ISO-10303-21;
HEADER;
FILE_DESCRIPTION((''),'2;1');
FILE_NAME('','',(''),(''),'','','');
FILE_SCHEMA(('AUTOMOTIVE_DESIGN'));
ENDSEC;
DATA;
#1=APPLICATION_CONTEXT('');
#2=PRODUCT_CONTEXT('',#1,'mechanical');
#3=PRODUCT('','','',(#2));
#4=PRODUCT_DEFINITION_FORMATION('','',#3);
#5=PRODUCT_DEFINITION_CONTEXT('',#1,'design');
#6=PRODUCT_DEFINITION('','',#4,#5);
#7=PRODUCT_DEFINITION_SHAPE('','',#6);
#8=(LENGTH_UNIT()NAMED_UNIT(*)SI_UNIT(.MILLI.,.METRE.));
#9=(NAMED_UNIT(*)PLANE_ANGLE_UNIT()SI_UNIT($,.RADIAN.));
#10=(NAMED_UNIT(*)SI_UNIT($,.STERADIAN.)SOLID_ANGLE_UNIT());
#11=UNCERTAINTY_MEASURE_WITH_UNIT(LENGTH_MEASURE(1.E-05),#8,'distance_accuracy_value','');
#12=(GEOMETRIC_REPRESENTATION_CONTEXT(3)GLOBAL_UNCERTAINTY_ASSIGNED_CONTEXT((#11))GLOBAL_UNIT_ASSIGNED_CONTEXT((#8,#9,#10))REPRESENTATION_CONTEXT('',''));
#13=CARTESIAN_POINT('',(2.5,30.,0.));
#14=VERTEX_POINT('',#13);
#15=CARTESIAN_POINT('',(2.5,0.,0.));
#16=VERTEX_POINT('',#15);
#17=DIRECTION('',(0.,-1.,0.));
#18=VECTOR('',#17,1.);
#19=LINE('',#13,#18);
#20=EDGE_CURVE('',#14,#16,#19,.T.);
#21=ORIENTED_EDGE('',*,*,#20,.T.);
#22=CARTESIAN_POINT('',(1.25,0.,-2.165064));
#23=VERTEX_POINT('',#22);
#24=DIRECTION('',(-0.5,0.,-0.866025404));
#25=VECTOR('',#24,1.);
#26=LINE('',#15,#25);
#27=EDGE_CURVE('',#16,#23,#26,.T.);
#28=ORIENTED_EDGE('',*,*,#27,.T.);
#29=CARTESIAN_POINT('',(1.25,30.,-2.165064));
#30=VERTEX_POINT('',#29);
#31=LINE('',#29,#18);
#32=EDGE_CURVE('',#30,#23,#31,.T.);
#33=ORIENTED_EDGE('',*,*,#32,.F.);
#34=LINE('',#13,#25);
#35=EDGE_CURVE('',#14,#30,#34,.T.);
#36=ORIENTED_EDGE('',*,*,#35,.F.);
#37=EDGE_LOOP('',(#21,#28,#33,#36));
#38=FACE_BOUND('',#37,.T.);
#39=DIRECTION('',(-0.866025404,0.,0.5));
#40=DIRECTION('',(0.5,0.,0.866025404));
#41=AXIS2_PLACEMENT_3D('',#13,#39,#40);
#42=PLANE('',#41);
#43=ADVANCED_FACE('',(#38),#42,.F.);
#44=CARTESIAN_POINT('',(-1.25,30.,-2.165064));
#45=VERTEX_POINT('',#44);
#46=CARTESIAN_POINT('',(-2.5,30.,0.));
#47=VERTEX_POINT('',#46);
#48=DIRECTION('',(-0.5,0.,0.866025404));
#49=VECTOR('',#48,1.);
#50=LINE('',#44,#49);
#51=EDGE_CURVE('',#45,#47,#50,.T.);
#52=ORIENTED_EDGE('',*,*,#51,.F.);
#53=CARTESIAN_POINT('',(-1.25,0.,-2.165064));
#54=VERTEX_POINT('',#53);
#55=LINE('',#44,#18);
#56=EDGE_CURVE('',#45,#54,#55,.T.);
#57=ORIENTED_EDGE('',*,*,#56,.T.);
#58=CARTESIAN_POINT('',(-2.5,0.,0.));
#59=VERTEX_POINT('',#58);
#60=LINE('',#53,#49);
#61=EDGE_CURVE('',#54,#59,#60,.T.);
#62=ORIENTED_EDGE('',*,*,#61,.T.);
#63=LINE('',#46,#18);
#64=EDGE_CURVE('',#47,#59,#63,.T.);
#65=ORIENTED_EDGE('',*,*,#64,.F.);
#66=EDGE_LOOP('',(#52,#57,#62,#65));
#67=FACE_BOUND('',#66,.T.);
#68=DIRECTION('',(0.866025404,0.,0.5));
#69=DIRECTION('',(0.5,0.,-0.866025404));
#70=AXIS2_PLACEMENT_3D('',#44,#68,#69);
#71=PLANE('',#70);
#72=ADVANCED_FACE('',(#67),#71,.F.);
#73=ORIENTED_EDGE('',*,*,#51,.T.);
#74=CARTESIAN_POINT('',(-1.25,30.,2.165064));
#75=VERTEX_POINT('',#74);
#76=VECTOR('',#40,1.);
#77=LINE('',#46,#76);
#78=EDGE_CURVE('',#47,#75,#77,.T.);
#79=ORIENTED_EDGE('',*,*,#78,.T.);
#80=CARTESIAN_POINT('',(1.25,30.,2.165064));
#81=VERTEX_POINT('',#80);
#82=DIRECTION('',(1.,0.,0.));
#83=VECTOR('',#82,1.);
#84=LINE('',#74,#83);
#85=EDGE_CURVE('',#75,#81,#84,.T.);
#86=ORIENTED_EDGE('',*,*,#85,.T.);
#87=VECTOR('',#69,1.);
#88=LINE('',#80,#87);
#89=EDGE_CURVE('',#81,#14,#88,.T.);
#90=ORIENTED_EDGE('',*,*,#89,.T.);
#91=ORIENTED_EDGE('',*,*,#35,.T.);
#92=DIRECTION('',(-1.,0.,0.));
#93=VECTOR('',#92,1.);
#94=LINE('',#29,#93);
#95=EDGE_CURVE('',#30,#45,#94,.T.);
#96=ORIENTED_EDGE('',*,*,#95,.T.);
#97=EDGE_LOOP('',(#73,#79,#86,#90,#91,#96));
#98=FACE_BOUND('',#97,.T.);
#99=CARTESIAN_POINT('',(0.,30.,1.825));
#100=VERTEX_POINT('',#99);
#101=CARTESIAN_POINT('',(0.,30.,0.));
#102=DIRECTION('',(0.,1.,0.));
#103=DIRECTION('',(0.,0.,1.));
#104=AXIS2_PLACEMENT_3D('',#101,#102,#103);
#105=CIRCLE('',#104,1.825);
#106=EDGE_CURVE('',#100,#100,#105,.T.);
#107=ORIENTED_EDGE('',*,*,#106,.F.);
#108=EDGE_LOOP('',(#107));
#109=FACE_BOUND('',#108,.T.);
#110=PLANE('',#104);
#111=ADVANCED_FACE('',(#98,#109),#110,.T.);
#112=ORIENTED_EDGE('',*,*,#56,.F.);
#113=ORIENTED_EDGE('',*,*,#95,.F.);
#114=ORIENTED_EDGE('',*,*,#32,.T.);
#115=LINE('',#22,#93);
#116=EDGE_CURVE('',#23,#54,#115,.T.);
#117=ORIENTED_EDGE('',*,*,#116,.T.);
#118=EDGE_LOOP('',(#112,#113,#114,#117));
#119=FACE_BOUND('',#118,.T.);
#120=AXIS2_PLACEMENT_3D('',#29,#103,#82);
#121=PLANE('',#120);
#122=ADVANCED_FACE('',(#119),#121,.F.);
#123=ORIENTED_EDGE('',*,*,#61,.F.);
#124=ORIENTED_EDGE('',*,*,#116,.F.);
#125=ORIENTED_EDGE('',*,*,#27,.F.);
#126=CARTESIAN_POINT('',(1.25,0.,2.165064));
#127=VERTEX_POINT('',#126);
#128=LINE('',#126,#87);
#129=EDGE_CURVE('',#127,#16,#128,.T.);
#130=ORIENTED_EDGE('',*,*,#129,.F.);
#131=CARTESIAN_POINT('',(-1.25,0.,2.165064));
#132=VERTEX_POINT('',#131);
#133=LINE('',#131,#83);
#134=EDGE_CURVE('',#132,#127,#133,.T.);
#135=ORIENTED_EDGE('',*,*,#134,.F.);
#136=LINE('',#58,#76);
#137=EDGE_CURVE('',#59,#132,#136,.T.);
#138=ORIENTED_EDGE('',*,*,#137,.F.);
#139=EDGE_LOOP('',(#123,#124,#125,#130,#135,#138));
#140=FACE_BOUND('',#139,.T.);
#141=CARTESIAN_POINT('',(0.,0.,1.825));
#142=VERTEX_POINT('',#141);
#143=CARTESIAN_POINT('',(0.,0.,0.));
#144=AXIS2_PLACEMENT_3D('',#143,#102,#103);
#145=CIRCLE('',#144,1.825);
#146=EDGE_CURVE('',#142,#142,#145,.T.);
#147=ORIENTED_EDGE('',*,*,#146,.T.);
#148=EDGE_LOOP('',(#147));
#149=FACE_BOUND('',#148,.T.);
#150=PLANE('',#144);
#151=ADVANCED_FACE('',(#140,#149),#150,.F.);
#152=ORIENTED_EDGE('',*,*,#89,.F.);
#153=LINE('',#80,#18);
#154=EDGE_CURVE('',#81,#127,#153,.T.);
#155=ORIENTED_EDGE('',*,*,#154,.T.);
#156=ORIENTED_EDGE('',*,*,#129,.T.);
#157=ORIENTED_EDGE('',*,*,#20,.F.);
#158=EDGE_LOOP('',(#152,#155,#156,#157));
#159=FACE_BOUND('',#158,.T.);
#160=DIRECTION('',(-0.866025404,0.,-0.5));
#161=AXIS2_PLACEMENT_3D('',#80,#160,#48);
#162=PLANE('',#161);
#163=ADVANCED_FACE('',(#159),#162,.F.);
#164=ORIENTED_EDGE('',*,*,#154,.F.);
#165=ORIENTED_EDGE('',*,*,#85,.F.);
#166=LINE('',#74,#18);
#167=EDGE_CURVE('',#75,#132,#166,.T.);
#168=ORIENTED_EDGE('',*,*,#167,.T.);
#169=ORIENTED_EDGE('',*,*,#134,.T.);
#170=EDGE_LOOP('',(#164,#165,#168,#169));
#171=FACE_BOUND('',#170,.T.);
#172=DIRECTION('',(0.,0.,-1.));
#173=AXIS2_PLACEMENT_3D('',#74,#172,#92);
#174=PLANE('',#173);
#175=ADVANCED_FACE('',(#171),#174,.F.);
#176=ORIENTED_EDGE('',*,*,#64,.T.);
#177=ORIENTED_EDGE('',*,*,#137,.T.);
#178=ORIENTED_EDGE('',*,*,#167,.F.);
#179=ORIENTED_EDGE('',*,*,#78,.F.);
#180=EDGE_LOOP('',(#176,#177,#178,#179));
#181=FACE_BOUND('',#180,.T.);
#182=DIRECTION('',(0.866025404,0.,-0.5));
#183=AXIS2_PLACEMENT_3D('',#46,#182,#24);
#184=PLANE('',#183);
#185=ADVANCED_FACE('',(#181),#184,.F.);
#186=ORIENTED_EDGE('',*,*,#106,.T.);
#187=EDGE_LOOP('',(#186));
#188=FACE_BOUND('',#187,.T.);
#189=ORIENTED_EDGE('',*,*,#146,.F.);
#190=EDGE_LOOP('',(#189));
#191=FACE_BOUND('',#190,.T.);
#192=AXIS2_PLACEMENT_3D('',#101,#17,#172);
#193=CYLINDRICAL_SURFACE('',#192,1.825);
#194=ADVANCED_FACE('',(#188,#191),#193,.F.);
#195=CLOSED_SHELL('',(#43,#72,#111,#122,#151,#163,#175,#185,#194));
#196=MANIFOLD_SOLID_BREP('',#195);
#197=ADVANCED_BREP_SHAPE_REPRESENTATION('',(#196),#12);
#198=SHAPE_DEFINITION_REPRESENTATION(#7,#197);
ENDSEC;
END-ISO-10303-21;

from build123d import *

# Parameters (mm, degrees)
CROQUIS1_R              = 1.825
SALIENTE_EXTRUIR1_DEPTH = 30


with BuildPart() as part:
    # Croquis1 → Saliente-Extruir1 (new body)
    with BuildSketch(Plane(origin=(0, 0, 0), x_dir=(1, 0, 0), z_dir=(0, 1, 0))):
        Polygon((2.5, 0), (1.25, 2.165063509), (-1.25, 2.165063509), (-2.5, 0), (-1.25, -2.165063509), (1.25, -2.165063509), align=None)
        with Locations(Location((0, 0, 0), (0, 0, 270))):
            Circle(CROQUIS1_R, mode=Mode.SUBTRACT)
    extrude(amount=SALIENTE_EXTRUIR1_DEPTH)


solid = part.part
